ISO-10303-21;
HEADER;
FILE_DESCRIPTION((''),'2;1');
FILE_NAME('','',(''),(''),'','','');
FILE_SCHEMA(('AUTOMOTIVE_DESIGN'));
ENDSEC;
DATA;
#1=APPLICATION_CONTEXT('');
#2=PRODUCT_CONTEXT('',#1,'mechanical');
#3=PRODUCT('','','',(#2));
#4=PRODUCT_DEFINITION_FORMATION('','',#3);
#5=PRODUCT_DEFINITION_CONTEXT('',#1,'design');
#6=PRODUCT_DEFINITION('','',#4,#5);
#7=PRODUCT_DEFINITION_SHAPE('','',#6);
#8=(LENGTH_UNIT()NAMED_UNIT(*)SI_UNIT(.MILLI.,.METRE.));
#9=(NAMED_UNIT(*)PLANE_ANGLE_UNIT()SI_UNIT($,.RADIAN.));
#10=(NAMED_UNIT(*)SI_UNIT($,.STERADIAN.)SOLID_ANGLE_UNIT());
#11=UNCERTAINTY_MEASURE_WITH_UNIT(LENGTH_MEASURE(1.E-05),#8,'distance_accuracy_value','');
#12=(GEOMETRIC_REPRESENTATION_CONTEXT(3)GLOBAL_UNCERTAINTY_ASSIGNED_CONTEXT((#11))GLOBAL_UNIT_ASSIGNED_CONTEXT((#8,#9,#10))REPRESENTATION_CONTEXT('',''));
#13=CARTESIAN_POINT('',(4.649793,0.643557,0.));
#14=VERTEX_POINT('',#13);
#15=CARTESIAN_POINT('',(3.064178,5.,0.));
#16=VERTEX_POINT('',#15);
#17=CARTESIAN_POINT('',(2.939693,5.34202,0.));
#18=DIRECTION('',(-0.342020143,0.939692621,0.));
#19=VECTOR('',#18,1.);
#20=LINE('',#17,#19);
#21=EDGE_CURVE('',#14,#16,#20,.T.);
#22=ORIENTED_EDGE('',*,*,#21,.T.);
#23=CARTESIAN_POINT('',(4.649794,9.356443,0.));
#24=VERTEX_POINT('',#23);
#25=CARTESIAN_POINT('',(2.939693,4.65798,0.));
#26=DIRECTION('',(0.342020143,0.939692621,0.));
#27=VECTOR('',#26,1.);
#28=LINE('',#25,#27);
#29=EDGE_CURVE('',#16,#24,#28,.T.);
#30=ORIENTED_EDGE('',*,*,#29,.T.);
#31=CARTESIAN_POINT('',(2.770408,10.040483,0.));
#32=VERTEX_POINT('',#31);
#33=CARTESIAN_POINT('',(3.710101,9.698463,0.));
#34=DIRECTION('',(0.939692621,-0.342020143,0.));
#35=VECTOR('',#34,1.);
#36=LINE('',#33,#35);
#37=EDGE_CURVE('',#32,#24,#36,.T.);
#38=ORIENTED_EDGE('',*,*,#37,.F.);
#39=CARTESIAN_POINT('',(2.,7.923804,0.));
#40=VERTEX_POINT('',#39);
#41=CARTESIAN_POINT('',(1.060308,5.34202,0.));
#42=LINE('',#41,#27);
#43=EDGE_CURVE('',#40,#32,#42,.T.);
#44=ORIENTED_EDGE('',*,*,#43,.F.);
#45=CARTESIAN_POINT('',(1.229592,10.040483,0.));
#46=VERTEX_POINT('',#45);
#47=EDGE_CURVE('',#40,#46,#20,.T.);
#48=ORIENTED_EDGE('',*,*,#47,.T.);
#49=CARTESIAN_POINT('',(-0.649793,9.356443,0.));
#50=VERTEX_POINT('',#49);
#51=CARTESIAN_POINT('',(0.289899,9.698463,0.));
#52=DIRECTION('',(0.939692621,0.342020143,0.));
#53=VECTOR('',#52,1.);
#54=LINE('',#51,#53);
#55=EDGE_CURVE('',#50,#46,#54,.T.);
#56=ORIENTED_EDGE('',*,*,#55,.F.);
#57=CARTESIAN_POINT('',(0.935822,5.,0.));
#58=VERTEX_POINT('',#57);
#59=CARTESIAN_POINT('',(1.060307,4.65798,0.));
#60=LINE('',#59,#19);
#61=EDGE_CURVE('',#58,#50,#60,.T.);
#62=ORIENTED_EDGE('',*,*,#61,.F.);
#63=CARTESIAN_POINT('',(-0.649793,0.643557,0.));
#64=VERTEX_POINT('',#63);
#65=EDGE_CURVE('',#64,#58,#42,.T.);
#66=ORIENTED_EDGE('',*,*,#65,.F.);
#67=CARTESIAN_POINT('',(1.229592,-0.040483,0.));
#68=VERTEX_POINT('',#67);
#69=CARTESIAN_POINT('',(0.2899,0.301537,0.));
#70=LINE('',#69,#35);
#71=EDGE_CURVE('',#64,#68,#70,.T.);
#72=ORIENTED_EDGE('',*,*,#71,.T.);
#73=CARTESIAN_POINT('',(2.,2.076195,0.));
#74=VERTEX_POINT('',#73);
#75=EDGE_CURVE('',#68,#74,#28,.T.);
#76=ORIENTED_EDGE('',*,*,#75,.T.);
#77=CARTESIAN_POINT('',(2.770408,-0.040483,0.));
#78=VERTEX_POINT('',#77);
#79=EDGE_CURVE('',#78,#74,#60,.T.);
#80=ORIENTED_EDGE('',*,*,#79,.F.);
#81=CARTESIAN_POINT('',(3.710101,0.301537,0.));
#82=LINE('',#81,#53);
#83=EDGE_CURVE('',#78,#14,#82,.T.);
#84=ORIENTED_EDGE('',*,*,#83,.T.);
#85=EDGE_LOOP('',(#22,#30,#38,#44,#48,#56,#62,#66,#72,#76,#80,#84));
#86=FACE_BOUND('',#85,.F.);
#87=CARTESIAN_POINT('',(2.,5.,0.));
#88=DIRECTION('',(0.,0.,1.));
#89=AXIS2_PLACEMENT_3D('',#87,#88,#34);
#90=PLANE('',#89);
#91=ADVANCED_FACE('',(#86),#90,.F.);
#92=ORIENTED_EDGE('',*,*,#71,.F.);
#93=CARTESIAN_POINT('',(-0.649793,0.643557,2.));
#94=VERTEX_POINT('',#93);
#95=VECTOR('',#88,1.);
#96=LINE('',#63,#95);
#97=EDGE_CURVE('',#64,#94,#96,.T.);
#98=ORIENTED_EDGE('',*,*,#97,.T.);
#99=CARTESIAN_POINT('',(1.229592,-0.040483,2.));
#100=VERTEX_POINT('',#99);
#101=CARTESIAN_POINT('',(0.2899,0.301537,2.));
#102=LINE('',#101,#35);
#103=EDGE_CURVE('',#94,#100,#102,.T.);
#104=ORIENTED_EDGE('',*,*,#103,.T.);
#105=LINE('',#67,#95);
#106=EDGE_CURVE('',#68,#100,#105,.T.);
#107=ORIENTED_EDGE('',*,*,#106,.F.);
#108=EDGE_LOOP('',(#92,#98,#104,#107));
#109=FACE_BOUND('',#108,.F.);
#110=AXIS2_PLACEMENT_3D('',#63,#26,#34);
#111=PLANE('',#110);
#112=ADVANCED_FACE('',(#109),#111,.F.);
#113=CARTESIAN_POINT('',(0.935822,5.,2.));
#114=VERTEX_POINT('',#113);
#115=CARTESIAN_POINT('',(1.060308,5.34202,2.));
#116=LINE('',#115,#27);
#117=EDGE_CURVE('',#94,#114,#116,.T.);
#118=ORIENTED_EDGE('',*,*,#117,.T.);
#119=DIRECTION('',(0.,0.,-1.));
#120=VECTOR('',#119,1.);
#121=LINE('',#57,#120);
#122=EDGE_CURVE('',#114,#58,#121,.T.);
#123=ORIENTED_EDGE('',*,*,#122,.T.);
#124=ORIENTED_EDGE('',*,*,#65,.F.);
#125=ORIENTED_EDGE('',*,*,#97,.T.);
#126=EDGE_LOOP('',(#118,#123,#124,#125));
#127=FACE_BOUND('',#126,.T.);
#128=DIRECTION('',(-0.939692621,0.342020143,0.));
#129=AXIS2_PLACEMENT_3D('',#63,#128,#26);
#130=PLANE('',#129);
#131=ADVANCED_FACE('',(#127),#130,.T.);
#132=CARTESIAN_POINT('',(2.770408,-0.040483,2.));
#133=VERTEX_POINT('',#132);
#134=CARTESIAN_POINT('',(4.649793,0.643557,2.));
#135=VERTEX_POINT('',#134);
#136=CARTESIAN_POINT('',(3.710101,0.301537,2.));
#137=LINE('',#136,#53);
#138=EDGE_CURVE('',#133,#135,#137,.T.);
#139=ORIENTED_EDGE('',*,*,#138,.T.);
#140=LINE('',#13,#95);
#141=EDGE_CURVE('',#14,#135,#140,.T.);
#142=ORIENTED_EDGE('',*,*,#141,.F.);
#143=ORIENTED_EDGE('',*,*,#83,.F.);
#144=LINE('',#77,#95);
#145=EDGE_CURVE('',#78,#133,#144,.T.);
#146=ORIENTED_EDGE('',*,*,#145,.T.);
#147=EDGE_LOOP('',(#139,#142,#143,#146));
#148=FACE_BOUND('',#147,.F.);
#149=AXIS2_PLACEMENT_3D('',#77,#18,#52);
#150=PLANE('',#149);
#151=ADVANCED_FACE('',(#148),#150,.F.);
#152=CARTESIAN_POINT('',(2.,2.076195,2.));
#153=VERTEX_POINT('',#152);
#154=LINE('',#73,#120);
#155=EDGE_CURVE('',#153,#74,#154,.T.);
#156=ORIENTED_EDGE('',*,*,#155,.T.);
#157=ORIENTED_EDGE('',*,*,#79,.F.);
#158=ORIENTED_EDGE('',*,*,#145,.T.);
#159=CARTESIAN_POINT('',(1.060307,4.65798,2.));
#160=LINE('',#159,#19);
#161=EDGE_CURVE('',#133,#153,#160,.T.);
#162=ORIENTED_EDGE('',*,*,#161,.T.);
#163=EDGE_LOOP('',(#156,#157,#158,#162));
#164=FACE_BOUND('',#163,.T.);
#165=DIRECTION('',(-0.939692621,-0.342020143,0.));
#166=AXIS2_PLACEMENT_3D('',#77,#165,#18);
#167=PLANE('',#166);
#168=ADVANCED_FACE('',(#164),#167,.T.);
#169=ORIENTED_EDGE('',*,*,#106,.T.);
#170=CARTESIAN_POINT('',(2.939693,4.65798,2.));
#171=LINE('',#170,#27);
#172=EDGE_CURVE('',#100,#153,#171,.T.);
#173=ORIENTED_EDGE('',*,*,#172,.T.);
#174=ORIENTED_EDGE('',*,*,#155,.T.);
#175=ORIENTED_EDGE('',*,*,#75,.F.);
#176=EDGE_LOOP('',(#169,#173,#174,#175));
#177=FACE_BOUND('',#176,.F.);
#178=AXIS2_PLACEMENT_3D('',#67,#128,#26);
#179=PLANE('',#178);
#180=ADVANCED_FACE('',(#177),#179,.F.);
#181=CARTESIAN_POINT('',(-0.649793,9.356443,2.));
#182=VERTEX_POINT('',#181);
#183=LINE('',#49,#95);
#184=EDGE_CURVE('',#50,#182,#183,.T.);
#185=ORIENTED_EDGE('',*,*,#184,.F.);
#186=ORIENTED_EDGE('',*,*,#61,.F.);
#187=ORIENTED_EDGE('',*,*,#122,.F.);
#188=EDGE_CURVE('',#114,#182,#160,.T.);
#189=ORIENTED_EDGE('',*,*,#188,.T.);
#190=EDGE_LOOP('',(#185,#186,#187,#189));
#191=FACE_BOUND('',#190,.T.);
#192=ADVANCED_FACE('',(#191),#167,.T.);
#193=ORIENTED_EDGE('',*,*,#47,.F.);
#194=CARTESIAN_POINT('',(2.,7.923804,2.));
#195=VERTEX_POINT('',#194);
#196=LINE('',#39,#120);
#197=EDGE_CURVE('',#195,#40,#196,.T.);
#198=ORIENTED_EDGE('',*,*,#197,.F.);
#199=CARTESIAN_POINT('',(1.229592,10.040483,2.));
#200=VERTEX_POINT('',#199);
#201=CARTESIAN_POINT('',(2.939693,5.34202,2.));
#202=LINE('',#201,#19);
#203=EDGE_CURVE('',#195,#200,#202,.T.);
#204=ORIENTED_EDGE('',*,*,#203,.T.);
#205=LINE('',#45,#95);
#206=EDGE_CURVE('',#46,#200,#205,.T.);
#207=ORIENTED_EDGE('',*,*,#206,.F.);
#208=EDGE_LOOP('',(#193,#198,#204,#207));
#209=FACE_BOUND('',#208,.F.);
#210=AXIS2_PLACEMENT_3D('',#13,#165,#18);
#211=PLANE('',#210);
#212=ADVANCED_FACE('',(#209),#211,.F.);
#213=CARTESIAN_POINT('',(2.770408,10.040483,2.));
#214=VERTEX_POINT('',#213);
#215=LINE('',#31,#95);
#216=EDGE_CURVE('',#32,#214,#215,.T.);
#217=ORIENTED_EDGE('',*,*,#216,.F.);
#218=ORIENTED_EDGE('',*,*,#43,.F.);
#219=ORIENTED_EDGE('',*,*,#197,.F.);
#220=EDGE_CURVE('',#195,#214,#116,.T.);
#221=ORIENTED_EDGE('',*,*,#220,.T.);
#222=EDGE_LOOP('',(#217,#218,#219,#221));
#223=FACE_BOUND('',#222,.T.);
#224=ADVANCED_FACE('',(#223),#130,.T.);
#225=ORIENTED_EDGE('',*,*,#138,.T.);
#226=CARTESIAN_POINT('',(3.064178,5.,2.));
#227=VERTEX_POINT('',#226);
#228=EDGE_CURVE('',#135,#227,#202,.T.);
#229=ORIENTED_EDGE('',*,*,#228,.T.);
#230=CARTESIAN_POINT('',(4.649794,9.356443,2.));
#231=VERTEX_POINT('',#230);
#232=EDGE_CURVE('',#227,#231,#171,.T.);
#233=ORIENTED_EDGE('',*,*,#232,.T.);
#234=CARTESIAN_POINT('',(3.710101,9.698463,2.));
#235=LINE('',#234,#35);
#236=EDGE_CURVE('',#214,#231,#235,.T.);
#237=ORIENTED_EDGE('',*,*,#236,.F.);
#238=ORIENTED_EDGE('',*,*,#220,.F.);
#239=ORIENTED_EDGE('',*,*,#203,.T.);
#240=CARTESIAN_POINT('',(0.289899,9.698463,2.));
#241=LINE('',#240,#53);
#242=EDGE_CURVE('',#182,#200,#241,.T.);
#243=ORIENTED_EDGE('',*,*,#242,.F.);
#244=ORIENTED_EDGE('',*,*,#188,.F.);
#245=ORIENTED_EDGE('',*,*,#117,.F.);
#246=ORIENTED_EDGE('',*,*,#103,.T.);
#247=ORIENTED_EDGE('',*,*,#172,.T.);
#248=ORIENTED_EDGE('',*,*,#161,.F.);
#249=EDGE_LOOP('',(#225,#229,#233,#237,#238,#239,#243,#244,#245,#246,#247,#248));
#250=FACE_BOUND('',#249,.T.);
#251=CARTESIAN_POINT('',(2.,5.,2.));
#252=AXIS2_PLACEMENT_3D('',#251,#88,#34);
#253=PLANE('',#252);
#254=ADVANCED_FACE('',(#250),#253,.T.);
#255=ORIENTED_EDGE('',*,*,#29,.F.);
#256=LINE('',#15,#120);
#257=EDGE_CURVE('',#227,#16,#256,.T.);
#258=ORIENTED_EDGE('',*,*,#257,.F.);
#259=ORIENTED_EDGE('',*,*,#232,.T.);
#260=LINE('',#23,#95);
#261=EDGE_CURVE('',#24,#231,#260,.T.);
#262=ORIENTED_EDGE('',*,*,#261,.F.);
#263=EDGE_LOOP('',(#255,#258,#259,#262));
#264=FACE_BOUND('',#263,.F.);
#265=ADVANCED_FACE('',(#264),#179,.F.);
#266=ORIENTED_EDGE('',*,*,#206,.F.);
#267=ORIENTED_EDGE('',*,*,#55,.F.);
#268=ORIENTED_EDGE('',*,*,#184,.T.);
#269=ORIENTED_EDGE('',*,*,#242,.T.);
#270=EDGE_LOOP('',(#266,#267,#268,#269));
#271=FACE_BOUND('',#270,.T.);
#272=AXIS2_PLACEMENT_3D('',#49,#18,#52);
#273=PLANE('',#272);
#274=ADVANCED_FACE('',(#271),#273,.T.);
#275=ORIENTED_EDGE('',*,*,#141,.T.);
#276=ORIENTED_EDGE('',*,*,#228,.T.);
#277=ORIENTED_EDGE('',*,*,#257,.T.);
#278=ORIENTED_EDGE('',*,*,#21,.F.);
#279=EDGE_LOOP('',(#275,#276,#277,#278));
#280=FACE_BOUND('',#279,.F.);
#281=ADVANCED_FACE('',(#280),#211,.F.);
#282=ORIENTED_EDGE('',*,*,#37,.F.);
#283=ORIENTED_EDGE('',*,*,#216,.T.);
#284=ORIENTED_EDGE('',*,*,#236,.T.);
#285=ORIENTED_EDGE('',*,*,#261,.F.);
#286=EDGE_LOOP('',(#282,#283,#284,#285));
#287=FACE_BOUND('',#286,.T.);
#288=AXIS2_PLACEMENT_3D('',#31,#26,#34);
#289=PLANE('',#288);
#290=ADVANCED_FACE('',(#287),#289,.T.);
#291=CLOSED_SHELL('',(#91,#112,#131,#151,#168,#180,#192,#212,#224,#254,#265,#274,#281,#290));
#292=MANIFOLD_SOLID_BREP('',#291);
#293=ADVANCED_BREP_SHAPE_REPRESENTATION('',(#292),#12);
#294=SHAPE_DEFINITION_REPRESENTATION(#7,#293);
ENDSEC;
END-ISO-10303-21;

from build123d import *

# Parameters (mm, degrees)
BOX001_W               = 2
BOX001_H               = 10
BOX001_DEPTH           = 2
BOX001_PLACEMENT_ANGLE = 20
BOX_W                  = 2
BOX_H                  = 10
BOX_DEPTH              = 2
BOX_PLACEMENT_ANGLE    = 20


with BuildPart() as cub001:
    # Box001 → Box001 (new body)
    with BuildSketch(Plane.XY):
        with Locations((1, 5)):
            Rectangle(BOX001_W, BOX001_H)
    extrude(amount=BOX001_DEPTH)


with BuildPart() as cub001_1:
    # Box001 placement: moved
    add(cub001.part.moved(Location((-0.649793, 0.643557, 0))).rotate(Axis((-0.649793, 0.643557, 0), (0, 0, -1)), BOX001_PLACEMENT_ANGLE))


with BuildPart() as fusion001:
    # Box → Box (new body)
    with BuildSketch(Plane.XY):
        with Locations((1, 5)):
            Rectangle(BOX_W, BOX_H)
    extrude(amount=BOX_DEPTH)


with BuildPart() as fusion001_1:
    # Box placement: moved
    add(fusion001.part.moved(Location((2.770408, -0.040483, 0))).rotate(Axis((2.770408, -0.040483, 0), (0, 0, 1)), BOX_PLACEMENT_ANGLE))

    # Fusion: union Cub001
    add(cub001_1.part)


solid = fusion001_1.part
